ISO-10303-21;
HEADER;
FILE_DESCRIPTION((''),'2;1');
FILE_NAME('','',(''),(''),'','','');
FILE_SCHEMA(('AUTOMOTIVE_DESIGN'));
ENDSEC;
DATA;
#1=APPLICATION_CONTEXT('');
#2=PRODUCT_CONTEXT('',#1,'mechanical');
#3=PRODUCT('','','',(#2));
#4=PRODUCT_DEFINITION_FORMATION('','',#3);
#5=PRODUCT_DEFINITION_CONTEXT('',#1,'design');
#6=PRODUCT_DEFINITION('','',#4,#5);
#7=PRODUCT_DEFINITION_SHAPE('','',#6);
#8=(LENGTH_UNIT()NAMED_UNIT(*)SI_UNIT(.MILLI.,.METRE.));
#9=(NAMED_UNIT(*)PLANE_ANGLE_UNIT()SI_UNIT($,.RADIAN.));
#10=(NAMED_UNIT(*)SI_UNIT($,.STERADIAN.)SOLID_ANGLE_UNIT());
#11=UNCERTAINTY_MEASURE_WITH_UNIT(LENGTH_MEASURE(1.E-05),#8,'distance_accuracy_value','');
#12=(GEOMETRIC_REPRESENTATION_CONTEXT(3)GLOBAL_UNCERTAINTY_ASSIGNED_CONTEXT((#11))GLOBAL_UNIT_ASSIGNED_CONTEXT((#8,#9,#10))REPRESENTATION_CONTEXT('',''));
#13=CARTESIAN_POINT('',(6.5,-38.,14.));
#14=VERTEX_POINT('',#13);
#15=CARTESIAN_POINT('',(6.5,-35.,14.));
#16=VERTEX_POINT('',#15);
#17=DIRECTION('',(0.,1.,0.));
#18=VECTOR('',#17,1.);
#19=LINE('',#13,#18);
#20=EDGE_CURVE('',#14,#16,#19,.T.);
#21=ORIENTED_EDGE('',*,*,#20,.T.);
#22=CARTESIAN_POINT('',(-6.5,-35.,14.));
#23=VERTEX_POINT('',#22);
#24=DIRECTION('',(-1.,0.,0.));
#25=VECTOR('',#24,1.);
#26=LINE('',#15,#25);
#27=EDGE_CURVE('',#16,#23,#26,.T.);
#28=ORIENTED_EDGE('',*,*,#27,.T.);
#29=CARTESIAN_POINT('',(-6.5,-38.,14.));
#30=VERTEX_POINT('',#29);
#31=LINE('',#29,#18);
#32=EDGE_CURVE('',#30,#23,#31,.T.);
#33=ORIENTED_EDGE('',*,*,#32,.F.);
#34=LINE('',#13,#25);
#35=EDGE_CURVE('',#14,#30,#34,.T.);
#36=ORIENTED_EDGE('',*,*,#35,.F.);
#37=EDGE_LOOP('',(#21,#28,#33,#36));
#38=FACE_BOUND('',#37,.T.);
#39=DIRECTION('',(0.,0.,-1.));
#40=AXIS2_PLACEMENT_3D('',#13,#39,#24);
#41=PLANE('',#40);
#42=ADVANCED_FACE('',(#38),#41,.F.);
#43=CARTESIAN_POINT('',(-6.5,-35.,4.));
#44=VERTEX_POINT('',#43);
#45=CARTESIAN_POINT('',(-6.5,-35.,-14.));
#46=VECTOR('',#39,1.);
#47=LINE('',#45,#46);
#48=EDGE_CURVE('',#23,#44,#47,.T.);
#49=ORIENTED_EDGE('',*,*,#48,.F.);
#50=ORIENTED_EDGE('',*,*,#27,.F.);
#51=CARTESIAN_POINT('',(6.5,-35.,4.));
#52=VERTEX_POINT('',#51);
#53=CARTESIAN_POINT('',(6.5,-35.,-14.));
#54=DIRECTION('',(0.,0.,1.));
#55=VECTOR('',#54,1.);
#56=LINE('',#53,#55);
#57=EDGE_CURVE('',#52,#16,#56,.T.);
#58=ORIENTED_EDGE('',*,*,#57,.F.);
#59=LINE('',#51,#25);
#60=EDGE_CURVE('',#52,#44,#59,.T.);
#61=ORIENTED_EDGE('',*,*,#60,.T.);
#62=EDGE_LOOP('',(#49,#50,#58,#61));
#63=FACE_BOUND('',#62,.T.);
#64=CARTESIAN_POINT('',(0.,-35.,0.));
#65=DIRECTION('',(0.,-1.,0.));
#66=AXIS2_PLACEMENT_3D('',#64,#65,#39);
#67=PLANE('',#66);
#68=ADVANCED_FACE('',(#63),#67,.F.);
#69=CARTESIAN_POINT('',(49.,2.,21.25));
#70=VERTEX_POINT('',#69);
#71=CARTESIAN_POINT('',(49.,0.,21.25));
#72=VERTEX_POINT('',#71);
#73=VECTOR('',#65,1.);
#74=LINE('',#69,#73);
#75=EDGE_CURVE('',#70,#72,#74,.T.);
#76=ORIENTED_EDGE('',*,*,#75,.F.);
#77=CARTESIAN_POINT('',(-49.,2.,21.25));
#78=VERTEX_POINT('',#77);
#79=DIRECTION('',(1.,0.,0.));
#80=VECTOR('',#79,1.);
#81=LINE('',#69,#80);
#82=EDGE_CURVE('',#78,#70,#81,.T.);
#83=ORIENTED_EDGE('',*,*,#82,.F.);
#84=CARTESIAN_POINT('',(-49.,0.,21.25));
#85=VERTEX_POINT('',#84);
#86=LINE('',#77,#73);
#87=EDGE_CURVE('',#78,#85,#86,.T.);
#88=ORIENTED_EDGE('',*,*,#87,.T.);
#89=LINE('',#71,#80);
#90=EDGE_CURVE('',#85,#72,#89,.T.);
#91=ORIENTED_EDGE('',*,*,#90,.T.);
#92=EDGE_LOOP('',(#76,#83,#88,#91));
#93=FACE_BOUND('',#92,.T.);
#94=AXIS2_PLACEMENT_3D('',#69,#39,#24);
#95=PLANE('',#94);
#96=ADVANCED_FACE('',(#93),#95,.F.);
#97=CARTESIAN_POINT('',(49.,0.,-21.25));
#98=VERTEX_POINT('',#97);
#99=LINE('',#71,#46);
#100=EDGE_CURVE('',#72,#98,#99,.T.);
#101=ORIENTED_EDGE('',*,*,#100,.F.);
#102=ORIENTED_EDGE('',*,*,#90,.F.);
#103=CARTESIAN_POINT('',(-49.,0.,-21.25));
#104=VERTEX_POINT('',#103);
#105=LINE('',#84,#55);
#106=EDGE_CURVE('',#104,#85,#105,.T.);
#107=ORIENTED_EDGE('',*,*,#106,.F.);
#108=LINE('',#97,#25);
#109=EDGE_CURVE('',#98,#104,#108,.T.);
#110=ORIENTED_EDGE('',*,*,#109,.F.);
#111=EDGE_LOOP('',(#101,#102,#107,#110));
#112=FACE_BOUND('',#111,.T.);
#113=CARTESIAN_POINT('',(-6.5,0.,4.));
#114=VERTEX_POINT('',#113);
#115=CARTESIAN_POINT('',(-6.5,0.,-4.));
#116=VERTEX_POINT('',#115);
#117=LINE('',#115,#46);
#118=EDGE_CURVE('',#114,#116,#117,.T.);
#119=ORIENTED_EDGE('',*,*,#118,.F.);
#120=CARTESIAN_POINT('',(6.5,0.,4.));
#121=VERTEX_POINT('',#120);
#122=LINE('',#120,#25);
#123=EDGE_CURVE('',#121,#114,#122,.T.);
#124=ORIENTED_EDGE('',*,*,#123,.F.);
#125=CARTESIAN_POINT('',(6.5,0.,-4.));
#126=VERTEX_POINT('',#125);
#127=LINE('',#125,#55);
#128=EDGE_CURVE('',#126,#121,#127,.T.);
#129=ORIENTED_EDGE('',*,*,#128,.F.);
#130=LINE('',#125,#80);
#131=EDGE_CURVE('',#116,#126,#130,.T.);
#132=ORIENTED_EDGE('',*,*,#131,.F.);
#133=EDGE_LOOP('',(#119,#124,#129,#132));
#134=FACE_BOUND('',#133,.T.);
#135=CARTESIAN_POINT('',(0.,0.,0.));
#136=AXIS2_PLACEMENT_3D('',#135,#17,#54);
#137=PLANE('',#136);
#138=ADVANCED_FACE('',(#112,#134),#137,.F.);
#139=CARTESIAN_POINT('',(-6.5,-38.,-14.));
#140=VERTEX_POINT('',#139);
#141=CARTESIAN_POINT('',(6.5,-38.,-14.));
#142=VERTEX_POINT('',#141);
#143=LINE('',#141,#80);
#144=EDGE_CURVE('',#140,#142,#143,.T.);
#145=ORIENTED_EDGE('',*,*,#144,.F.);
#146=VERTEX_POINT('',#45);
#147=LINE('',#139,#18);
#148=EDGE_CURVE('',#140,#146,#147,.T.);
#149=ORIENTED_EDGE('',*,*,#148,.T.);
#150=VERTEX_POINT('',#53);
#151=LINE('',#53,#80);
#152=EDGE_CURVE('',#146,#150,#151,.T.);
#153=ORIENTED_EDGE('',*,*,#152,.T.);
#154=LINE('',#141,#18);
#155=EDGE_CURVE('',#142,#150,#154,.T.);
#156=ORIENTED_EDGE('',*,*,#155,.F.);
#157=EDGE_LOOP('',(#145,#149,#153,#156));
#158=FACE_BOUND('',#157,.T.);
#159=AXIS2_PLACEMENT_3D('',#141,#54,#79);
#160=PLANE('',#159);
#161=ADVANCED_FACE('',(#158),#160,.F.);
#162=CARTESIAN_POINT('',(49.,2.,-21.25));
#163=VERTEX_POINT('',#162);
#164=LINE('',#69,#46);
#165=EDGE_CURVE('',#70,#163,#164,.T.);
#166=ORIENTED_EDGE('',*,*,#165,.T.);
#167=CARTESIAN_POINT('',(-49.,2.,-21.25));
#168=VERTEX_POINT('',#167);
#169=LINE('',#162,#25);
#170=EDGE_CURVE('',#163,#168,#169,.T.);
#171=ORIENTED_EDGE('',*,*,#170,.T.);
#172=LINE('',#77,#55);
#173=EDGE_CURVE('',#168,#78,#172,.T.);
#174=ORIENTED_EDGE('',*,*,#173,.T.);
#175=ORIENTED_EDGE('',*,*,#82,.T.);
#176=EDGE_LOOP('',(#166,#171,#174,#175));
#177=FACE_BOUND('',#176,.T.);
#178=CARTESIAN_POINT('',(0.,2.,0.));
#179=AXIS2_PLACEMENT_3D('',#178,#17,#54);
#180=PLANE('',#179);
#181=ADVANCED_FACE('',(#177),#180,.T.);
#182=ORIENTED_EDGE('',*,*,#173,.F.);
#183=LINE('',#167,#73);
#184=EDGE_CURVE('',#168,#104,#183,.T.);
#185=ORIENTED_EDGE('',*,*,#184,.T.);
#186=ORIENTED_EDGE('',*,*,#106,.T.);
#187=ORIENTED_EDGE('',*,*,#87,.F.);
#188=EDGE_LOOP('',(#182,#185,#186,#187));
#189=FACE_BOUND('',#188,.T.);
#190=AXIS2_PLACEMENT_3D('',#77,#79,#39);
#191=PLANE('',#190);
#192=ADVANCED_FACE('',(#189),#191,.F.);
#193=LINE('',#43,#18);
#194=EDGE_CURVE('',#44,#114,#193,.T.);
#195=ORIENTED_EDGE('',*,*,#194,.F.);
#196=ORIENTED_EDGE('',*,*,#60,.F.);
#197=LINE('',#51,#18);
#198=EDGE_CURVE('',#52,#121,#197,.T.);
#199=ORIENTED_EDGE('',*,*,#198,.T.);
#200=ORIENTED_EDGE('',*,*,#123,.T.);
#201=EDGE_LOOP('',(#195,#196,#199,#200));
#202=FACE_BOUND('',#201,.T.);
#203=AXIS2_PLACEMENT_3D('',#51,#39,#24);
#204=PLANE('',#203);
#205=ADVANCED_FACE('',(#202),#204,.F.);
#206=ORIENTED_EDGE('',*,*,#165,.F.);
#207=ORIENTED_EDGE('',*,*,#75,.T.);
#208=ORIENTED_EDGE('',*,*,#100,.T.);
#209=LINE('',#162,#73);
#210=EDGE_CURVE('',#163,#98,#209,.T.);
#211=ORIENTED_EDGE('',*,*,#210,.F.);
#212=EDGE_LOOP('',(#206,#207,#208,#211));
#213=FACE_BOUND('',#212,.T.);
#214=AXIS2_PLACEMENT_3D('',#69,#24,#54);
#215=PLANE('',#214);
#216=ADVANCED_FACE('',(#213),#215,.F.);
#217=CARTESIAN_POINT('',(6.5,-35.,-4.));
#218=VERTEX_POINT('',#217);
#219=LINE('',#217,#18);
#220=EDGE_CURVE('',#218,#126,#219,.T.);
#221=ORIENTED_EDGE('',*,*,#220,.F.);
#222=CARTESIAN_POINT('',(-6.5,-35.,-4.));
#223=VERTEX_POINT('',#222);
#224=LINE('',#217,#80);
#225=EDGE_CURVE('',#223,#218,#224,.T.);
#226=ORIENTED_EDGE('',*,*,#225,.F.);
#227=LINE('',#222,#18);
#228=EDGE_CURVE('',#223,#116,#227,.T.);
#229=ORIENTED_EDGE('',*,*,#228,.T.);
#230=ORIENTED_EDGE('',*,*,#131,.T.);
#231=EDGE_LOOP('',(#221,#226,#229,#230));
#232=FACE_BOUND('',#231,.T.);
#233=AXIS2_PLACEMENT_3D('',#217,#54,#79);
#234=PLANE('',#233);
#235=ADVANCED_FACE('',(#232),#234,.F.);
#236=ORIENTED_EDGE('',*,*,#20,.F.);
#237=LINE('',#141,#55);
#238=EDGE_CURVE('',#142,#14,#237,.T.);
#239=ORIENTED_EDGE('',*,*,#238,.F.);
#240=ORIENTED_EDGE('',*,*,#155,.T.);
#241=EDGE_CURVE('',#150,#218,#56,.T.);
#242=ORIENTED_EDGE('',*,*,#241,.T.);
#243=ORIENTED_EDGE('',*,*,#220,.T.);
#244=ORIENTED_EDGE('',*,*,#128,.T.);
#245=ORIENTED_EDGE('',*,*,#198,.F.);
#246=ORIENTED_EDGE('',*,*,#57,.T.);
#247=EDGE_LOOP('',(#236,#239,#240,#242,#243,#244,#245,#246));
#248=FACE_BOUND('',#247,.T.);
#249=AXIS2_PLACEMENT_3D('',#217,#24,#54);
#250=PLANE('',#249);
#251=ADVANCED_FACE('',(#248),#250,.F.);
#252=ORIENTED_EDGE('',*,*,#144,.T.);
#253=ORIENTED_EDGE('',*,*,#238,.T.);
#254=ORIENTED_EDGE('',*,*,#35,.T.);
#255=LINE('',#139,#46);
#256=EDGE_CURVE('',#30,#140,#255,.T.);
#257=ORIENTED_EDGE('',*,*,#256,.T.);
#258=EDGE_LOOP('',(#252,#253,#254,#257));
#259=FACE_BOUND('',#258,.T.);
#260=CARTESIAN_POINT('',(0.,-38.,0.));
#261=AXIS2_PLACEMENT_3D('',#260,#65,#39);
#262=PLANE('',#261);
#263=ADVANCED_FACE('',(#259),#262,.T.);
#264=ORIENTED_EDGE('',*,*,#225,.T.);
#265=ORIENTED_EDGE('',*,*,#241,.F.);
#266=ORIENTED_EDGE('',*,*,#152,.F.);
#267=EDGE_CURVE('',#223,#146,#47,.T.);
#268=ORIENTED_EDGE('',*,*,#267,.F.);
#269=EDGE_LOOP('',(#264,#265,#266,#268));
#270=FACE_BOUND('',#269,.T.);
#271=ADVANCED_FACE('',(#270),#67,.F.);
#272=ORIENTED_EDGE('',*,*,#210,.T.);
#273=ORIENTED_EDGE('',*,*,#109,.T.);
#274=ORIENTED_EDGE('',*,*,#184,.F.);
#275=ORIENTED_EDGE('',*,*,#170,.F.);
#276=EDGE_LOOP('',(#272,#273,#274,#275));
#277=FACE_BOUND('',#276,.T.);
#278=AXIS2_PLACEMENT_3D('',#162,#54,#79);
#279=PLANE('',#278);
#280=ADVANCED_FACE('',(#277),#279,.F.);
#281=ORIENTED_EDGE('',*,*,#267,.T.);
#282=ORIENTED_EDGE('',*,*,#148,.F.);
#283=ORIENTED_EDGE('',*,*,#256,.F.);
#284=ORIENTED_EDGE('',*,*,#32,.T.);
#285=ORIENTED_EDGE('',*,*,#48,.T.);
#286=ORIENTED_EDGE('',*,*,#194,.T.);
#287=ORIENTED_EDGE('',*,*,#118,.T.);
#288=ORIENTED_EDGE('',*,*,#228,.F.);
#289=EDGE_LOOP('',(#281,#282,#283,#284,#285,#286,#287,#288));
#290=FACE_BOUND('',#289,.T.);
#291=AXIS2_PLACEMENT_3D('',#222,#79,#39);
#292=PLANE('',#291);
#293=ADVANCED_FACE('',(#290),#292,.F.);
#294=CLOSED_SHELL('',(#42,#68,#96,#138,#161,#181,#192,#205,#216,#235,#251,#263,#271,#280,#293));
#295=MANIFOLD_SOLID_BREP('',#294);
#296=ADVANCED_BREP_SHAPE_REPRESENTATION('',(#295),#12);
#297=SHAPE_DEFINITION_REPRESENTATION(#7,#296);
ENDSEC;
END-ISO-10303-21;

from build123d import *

# Parameters (mm, degrees)
SKETCH1_W           = 98
SKETCH1_H           = 42.5
BOSS_EXTRUDE1_DEPTH = 2
SKETCH2_W           = 13
SKETCH2_H           = 8
BOSS_EXTRUDE2_DEPTH = 35
SKETCH3_W           = 13
SKETCH3_H           = 28
BOSS_EXTRUDE3_DEPTH = 3


with BuildPart() as part:
    # Sketch1 → Boss-Extrude1 (new body)
    with BuildSketch(Plane(origin=(0, 0, 0), x_dir=(1, 0, 0), z_dir=(0, 1, 0))):
        Rectangle(SKETCH1_W, SKETCH1_H)
    extrude(amount=BOSS_EXTRUDE1_DEPTH)

    # Sketch2 → Boss-Extrude2 (add)
    with BuildSketch(Plane.XZ):
        Rectangle(SKETCH2_W, SKETCH2_H)
    extrude(amount=BOSS_EXTRUDE2_DEPTH)

    # Sketch3 → Boss-Extrude3 (add)
    with BuildSketch(Plane.XZ.offset(35)):
        Rectangle(SKETCH3_W, SKETCH3_H)
    extrude(amount=BOSS_EXTRUDE3_DEPTH)


solid = part.part
